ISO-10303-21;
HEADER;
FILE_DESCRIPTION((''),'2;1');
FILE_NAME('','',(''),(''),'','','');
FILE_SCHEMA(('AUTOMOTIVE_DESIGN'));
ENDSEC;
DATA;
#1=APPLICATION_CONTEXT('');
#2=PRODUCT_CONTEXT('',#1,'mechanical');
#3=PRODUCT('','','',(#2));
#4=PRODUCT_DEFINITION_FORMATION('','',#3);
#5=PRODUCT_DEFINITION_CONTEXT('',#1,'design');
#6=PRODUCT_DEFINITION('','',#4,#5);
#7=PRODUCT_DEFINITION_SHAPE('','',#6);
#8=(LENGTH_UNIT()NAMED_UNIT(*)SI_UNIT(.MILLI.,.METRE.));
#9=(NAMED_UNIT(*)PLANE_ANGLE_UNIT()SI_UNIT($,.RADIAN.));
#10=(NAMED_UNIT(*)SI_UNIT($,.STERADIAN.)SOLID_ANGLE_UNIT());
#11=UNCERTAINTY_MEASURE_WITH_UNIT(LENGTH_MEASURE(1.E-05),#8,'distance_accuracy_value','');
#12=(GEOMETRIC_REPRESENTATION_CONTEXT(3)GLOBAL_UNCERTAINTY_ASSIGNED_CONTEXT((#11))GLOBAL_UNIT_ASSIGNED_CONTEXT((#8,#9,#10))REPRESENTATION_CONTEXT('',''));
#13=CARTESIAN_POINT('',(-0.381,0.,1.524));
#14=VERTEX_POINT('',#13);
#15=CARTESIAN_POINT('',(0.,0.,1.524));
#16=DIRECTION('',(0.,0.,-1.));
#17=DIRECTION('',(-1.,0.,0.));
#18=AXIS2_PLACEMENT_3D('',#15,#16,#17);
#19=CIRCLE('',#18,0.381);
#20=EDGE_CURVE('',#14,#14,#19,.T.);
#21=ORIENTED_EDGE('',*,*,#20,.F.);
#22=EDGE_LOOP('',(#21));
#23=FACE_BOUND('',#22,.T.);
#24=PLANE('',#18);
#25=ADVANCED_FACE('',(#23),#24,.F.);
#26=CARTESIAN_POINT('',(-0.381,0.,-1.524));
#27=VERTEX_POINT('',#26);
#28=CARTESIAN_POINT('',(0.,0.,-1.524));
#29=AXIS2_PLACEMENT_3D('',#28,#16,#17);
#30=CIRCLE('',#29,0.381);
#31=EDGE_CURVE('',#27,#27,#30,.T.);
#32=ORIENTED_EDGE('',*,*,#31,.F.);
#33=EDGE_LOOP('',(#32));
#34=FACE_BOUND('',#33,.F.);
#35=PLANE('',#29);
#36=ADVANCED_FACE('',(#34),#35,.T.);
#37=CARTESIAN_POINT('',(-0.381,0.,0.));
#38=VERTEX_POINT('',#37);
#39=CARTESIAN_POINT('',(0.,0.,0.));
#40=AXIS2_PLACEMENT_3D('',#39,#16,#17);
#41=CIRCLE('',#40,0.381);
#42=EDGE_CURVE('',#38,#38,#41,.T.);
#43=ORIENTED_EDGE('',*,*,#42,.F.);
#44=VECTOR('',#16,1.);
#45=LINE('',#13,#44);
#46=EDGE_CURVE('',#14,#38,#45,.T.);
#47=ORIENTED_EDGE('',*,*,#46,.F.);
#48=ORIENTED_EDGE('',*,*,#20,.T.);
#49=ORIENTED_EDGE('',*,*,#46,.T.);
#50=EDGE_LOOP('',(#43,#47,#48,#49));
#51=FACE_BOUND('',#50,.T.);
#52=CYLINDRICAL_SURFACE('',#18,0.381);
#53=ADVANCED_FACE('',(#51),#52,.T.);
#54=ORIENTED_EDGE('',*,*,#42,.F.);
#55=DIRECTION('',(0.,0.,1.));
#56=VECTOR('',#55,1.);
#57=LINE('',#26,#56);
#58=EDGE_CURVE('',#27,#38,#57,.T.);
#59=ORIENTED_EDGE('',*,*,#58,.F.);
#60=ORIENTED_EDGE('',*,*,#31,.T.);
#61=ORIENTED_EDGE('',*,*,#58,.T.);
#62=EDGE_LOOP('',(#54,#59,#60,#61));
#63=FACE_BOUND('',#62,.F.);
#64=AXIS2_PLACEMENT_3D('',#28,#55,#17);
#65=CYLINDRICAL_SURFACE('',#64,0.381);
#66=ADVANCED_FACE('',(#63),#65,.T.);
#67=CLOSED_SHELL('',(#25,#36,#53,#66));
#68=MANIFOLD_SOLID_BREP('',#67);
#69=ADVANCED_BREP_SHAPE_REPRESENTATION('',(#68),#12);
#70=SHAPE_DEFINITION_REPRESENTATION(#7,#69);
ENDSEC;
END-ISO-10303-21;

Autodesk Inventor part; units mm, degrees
ref_plane "YZ Plane" through (0, 0, 0) normal (1, 0, 0) x (0, 1, 0)
ref_plane "XZ Plane" through (0, 0, 0) normal (0, 1, 0) x (-1, 0, 0)
ref_plane "XY Plane" through (0, 0, 0) normal (0, 0, 1) x (1, 0, 0)
sketch "Sketch1" plane through (0, 0, 0) normal (0, 1, 0) x (-1, 0, 0)
  line L0 (0, 0) -> (0, 1.524)
  line L1 (0, 1.524) -> (0.381, 1.524)
  line L2 (0.381, 1.524) -> (0.381, 0)
  line L3 (0, 0) -> (0, -1.524)
  line L4 (0, -1.524) -> (0.381, -1.524)
  line L5 (0.381, -1.524) -> (0.381, 0)
  dimension "d0" = 1.524
  dimension "d1" = 0.381
revolve "Revolution1" add sketch "Sketch1" angle 360 about axis through (0, 0, 0) along (0, 0, -1)
properties part number "Connector"
